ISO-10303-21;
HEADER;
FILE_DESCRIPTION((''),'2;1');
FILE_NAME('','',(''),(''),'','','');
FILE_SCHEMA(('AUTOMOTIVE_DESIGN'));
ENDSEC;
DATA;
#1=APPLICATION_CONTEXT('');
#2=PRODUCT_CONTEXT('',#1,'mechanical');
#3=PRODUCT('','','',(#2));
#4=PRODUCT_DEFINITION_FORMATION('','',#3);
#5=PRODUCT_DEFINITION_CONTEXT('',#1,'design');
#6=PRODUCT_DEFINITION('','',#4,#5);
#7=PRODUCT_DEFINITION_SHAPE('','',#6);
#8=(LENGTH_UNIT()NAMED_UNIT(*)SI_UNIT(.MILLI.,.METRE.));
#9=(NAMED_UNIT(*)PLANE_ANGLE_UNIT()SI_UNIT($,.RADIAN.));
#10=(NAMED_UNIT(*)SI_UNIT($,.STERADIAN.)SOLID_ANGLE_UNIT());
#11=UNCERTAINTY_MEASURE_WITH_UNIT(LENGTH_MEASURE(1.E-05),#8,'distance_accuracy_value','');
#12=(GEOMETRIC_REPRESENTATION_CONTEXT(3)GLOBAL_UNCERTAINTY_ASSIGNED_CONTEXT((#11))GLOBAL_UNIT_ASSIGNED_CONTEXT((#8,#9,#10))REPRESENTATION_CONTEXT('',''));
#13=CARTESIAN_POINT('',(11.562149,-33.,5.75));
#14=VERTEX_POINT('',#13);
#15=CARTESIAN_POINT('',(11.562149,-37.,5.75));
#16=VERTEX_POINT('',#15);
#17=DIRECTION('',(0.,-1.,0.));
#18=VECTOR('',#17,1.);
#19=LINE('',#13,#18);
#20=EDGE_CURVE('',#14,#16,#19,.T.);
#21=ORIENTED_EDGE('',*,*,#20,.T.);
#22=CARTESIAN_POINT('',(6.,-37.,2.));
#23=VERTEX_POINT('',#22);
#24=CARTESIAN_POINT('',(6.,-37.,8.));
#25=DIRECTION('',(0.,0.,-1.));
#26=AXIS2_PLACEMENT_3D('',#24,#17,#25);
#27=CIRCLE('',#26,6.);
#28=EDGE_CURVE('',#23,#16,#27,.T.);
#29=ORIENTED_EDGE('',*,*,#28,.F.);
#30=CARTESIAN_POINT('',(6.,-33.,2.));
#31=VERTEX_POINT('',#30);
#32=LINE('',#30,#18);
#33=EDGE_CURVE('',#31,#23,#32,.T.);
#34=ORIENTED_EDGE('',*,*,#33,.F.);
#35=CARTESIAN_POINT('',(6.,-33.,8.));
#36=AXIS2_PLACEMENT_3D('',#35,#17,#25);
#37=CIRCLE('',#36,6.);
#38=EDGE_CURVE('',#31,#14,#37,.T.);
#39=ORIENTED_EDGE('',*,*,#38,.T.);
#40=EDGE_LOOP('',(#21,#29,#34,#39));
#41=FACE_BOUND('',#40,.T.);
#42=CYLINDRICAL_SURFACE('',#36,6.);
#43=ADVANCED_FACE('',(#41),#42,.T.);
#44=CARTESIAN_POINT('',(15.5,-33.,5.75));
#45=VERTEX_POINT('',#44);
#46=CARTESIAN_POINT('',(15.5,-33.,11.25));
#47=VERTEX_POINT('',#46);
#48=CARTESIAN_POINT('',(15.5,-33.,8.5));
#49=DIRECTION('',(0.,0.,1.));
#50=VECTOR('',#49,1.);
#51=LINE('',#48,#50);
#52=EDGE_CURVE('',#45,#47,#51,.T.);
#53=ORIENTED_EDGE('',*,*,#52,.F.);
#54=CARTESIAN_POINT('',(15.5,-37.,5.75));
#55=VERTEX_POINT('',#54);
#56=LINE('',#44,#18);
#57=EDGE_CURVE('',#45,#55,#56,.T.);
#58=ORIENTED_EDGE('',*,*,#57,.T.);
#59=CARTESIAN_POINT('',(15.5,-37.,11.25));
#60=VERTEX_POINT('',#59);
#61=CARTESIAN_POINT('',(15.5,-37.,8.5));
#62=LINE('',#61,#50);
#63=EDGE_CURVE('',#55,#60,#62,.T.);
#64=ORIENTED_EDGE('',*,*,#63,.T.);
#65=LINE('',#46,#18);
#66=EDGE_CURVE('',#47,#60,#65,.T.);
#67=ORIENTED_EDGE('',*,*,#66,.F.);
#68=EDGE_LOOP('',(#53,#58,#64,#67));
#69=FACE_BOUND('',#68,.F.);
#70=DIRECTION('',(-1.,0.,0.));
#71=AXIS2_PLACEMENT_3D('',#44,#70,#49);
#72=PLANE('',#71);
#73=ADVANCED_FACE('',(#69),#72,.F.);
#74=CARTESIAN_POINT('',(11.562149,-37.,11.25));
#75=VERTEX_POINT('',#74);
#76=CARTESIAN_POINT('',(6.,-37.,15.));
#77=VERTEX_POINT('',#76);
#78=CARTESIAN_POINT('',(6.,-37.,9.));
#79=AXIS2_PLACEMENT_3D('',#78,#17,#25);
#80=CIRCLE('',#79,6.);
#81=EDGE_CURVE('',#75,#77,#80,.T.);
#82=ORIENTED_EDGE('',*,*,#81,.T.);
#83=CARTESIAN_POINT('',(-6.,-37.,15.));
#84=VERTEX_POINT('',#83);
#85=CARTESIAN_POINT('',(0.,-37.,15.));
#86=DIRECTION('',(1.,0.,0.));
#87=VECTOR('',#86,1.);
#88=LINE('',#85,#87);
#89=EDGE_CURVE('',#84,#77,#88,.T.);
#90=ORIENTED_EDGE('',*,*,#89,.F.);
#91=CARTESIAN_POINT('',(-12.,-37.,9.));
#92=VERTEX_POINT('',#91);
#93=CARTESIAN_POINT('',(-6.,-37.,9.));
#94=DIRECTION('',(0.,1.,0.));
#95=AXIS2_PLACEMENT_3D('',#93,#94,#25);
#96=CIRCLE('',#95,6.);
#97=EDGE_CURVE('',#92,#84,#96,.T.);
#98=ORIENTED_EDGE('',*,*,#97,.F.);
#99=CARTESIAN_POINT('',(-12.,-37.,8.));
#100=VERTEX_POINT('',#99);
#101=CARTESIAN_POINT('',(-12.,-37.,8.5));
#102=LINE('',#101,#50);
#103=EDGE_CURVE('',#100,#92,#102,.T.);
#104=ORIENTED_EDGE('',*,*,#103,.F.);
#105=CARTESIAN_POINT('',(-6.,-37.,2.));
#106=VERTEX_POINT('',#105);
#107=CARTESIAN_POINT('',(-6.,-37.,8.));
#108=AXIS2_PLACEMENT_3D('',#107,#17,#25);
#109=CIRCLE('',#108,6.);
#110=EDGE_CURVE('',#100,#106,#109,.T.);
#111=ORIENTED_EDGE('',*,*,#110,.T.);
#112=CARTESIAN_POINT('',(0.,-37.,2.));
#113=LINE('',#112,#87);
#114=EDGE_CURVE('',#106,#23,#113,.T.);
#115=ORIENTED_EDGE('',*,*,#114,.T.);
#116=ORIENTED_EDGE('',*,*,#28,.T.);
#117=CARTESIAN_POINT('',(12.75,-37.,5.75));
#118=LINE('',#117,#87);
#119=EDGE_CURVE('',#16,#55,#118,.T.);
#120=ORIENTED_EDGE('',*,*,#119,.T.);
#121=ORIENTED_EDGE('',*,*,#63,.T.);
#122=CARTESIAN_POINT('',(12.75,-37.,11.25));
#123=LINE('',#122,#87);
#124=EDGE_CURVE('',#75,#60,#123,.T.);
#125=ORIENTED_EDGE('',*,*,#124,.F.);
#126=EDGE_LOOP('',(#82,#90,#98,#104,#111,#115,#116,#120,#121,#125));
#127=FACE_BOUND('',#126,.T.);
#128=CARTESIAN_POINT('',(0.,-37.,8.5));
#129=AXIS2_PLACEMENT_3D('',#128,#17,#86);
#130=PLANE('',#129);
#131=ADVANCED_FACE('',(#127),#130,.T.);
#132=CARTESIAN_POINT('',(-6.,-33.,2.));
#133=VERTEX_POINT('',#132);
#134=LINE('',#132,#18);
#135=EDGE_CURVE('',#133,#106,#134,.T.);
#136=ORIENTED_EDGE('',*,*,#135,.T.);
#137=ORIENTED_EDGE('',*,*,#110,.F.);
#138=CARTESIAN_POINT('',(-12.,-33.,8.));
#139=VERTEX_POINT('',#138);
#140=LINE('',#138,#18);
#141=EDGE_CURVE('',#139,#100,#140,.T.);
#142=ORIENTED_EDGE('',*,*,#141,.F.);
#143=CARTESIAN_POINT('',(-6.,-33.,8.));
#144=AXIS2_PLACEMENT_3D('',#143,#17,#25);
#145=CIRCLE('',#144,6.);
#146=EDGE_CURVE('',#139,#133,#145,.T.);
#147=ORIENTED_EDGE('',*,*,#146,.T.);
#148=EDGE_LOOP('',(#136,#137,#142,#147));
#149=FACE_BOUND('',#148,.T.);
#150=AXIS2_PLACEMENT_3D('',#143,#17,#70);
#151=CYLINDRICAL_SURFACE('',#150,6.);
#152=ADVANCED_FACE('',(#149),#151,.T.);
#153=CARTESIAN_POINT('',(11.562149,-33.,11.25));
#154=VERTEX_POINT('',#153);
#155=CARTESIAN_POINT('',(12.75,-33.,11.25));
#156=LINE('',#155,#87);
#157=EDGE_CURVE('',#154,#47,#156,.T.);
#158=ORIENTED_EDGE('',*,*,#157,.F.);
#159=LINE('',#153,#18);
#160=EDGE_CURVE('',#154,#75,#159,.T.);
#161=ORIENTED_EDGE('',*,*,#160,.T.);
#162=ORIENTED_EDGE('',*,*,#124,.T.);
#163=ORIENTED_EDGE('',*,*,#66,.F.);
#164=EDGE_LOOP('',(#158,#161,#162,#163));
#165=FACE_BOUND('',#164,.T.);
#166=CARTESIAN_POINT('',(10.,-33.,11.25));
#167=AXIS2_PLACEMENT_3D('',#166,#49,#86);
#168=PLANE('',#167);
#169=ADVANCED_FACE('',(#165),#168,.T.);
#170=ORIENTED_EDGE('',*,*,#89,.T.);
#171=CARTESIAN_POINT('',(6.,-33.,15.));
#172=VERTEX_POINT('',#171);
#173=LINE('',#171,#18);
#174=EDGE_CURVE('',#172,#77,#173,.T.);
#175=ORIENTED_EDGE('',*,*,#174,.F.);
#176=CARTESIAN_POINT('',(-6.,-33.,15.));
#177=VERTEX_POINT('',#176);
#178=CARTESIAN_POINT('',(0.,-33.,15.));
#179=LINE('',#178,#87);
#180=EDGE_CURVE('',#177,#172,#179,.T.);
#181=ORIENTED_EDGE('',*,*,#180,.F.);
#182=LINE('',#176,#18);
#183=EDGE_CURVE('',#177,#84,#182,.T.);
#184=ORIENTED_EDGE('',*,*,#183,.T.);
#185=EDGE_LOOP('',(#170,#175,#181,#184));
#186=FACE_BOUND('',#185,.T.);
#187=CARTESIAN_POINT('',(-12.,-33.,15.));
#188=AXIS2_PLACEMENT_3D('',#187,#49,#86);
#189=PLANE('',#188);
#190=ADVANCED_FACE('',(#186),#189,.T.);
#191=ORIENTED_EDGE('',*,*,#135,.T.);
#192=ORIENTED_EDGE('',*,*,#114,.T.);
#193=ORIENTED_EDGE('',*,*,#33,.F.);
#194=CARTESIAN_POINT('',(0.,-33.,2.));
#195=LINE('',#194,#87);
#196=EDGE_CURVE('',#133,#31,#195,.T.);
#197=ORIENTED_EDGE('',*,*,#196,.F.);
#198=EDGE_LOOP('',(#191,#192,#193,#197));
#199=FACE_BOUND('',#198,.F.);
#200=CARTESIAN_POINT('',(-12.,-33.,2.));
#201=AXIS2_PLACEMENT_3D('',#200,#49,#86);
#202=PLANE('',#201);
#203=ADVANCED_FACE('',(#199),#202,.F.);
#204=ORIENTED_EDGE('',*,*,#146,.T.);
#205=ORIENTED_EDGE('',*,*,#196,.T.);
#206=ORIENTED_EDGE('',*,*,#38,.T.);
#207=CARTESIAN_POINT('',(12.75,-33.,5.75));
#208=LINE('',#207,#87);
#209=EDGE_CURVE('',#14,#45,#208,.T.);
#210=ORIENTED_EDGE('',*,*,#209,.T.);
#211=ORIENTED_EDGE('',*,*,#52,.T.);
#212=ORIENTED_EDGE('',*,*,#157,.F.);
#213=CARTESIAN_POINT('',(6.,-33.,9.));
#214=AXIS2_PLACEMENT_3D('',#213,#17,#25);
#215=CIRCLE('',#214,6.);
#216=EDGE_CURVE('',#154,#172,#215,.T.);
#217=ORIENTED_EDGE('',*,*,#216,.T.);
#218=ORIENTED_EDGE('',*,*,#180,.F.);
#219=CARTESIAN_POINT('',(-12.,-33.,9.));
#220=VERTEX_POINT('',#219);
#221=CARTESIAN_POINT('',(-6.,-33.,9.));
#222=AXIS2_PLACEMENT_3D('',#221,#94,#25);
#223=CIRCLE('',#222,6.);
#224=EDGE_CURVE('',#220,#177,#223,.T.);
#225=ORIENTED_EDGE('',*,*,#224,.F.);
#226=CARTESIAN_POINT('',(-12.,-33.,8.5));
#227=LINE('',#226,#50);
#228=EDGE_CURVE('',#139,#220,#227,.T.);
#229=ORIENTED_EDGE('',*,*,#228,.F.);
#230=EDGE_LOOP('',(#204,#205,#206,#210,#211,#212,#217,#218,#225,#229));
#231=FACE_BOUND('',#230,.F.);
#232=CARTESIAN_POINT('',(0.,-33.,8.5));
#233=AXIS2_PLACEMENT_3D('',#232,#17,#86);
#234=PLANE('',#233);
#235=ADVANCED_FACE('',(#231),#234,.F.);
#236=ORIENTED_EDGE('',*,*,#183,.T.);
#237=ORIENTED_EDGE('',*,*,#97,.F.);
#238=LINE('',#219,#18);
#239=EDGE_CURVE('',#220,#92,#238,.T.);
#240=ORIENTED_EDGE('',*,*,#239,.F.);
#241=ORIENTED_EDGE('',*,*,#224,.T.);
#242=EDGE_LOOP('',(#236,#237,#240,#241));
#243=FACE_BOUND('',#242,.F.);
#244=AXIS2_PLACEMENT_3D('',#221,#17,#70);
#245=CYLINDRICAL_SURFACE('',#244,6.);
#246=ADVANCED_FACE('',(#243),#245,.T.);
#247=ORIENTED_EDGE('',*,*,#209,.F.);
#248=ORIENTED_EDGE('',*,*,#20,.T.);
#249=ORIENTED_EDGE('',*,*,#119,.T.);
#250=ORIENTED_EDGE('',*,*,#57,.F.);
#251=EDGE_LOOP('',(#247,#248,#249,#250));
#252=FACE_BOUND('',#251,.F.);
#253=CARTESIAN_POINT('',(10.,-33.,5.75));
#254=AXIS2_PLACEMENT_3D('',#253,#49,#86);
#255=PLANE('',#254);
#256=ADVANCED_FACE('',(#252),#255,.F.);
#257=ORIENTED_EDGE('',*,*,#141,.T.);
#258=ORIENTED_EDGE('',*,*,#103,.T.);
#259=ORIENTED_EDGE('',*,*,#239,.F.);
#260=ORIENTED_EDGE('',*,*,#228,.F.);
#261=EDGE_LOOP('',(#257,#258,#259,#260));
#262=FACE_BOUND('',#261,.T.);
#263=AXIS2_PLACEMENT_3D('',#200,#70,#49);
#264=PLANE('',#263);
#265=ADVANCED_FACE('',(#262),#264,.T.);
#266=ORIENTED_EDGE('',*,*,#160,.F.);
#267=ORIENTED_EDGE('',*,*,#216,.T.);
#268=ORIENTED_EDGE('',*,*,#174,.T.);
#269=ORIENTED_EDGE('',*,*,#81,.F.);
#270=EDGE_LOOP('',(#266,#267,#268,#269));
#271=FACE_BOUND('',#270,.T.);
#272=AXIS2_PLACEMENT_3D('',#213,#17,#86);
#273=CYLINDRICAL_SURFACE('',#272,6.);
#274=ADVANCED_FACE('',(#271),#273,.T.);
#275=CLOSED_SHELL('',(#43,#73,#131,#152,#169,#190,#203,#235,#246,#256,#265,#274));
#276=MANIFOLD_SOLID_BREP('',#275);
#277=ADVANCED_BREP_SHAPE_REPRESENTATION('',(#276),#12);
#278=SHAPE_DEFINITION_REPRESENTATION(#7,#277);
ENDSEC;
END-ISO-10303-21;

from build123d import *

# Parameters (mm, degrees)
SKETCH009_W  = 24
SKETCH009_H  = 13
PAD005_DEPTH = 4
FILLET001_R  = 6
SKETCH010_W  = 5.5
SKETCH010_H  = 5.5
PAD006_DEPTH = 4


with BuildPart() as part:
    # Sketch009 (on DatumPlane) → Pad005 (new body)
    with BuildSketch(Plane.XZ.offset(33)):
        with Locations((0, 8.5)):
            Rectangle(SKETCH009_W, SKETCH009_H)
    extrude(amount=PAD005_DEPTH)

    # Fillet001
    fillet001_edges = [part.edges().sort_by_distance(p)[0] for p in [
        (-12, -35, 15),
        (12, -35, 15),
        (-12, -35, 2),
        (12, -35, 2),
    ]]
    fillet(fillet001_edges, radius=FILLET001_R)

    # Sketch010 (on DatumPlane) → Pad006 (join)
    with BuildSketch(Plane.XZ.offset(33)):
        with Locations((12.75, 8.5)):
            Rectangle(SKETCH010_W, SKETCH010_H)
    extrude(amount=PAD006_DEPTH)


solid = part.part
